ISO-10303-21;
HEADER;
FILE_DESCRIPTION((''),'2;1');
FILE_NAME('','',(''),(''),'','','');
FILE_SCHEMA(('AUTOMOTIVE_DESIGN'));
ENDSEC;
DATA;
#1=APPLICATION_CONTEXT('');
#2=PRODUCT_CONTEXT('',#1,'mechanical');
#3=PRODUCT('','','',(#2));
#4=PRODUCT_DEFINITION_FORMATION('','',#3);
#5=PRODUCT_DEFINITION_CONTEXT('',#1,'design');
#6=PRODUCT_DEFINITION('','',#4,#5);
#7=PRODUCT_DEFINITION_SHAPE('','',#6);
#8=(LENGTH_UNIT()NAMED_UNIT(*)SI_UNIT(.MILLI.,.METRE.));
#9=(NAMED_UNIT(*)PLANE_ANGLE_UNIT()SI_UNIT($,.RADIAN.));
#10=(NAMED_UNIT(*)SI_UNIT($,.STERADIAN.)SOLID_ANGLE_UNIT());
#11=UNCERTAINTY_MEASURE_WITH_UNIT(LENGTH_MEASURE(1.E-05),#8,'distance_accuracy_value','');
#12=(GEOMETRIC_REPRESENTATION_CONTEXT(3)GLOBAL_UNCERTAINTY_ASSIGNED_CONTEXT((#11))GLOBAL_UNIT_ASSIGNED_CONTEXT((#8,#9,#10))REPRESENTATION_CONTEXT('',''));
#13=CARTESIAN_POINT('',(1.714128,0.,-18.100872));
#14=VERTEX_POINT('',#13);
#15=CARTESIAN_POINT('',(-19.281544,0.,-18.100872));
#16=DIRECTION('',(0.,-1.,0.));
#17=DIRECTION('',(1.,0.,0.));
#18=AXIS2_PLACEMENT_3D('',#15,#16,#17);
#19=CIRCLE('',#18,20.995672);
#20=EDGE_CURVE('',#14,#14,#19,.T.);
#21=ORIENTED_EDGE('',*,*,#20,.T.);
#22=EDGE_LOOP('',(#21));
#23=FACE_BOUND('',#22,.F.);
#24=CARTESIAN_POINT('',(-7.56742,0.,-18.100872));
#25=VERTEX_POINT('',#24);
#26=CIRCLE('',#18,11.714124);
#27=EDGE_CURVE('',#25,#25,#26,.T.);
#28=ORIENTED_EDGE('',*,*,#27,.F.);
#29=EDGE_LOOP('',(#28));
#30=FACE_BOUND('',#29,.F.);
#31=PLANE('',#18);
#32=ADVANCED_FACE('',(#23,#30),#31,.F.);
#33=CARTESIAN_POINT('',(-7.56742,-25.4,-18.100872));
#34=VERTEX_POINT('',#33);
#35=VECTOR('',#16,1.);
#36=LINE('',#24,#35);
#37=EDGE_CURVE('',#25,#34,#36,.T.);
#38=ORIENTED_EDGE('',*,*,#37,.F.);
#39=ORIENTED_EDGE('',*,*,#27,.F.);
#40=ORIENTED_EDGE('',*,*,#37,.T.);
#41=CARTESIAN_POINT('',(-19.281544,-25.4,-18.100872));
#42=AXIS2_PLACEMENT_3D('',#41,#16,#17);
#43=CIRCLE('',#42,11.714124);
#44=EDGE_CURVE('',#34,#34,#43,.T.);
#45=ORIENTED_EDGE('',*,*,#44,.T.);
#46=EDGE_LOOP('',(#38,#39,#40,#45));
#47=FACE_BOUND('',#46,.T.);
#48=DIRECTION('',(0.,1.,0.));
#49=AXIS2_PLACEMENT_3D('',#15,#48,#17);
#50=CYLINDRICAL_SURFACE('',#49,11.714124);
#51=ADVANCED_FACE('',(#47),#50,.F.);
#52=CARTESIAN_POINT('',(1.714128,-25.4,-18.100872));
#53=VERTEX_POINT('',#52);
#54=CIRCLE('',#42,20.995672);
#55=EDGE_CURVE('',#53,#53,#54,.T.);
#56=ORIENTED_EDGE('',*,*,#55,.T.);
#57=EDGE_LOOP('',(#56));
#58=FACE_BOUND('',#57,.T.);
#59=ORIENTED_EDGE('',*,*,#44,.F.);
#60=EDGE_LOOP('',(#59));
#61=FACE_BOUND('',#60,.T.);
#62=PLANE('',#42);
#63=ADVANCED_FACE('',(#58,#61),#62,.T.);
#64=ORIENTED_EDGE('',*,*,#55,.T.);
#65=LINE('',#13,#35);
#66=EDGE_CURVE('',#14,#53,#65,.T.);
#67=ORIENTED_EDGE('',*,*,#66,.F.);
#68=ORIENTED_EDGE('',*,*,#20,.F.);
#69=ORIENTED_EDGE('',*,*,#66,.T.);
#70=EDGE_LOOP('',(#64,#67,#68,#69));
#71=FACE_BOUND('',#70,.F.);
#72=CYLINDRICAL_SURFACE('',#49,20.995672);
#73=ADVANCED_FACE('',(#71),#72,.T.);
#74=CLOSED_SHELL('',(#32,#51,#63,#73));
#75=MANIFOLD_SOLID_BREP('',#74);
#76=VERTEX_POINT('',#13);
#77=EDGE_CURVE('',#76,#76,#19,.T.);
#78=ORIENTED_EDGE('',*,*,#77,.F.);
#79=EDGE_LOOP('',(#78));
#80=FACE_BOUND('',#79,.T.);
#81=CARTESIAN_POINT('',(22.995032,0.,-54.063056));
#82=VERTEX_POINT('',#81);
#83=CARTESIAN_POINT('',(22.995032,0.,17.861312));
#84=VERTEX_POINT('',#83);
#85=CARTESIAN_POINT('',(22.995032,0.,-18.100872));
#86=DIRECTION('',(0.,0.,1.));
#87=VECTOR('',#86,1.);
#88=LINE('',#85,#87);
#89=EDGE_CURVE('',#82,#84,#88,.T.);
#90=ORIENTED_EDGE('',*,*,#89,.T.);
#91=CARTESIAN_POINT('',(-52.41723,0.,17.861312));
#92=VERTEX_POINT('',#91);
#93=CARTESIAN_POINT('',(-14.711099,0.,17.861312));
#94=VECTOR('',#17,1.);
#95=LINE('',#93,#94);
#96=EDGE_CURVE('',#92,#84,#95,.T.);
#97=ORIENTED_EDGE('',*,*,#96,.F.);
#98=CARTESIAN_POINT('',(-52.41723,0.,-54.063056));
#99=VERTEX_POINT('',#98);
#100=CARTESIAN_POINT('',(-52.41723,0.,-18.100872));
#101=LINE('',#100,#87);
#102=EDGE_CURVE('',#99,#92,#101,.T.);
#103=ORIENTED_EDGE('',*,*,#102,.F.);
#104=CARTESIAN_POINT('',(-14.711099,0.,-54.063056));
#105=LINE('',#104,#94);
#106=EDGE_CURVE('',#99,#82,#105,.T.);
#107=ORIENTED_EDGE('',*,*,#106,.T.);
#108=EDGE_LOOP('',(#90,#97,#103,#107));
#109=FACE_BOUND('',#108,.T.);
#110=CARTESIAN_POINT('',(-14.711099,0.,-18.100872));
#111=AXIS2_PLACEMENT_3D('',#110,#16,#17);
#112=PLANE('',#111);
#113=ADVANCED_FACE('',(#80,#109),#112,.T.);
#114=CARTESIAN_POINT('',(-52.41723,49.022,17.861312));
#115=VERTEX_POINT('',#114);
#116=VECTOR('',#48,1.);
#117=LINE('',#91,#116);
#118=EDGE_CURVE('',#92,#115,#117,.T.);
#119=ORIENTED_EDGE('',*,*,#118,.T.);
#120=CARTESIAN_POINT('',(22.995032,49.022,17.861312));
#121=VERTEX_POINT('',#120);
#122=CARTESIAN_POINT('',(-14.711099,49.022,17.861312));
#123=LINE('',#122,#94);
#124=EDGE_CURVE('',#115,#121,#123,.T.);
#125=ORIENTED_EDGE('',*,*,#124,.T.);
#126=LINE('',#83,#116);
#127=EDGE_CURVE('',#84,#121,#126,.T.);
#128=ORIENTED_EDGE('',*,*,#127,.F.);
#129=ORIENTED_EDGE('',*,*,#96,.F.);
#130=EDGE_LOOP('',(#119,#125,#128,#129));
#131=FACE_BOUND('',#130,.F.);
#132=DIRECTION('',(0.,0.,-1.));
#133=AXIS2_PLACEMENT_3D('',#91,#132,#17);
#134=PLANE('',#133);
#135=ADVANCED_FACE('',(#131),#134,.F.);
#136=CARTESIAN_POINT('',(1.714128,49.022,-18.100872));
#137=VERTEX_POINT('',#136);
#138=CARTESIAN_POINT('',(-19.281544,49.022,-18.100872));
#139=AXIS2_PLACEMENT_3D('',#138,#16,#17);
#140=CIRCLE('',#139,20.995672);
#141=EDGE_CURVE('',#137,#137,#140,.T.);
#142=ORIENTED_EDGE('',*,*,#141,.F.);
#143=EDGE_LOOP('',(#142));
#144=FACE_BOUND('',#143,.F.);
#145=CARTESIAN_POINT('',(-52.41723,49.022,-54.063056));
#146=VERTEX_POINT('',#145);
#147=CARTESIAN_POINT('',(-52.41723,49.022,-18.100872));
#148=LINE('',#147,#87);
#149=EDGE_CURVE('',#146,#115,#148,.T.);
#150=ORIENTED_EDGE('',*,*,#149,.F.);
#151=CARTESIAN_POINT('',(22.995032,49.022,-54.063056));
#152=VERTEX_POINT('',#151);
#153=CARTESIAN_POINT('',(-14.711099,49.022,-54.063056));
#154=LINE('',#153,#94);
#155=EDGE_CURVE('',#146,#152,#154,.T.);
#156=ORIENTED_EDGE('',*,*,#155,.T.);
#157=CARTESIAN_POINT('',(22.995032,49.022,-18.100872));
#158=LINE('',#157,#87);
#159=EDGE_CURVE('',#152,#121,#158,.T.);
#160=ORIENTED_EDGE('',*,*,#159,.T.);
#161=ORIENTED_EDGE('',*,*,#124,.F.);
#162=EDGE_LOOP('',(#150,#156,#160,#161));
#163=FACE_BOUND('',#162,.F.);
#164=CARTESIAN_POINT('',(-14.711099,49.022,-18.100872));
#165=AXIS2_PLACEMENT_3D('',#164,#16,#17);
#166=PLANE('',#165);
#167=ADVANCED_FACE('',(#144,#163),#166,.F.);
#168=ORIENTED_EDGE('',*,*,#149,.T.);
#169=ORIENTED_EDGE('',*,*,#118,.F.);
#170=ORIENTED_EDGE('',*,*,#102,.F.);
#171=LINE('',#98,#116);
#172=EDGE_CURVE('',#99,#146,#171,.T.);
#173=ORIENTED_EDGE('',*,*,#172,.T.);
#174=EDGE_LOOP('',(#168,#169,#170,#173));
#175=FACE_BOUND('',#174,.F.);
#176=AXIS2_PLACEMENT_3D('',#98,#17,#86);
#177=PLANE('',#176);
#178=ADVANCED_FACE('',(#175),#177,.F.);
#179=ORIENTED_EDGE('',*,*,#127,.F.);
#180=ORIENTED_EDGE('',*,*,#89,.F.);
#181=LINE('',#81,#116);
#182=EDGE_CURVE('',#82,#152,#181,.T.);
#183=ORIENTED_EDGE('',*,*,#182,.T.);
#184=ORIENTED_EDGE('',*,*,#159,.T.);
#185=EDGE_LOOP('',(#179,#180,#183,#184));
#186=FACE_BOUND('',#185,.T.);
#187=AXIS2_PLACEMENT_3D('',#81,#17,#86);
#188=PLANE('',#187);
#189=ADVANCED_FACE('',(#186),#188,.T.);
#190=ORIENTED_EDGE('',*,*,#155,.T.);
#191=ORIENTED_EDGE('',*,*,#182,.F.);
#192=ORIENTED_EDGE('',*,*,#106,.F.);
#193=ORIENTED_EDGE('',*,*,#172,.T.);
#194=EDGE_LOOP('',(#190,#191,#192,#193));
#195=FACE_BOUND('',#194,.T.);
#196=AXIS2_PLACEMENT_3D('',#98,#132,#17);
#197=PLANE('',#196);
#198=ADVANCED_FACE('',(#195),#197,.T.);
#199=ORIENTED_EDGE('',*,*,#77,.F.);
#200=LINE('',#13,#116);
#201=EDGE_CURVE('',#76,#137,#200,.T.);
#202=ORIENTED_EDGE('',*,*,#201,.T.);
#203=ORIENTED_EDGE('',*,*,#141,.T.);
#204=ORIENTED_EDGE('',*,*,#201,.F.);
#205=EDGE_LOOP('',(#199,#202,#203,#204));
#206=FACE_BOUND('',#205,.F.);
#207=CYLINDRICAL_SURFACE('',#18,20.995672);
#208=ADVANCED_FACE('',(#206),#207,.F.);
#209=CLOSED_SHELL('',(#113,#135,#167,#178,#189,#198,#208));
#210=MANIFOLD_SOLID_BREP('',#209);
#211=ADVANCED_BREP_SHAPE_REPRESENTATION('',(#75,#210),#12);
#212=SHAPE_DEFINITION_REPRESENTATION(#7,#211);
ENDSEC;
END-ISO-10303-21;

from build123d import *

# Parameters (mm, degrees)
F0_W     = 75.412262
F0_H     = 71.924368
F0_R     = 20.995672
F1_DEPTH = 49.022
F0_R_2   = 11.714124
F2_DEPTH = 49.023
F3_DEPTH = 25.4


with BuildPart() as f1:
    # F0 (on Front) → F1 (new body)
    with BuildSketch(Plane.XZ):
        with Locations((-14.711099, -18.100872)):
            Rectangle(F0_W, F0_H)
        with Locations((-19.281544, -18.100872)):
            Circle(F0_R, mode=Mode.SUBTRACT)
    extrude(amount=-F1_DEPTH)

    # F0 (on Front) → F2 (cut, through all)
    with BuildSketch(Plane.XZ):
        with Locations((-19.281544, -18.100872)):
            Circle(F0_R_2)
    extrude(amount=-F2_DEPTH, mode=Mode.SUBTRACT)


with BuildPart() as f3:
    # F0 (on Front) → F3 (new body)
    with BuildSketch(Plane.XZ):
        with Locations((-19.281544, -18.100872)):
            Circle(F0_R)
        with Locations((-19.281544, -18.100872)):
            Circle(F0_R_2, mode=Mode.SUBTRACT)
    extrude(amount=F3_DEPTH)


solid = Compound([f1.part, f3.part])
